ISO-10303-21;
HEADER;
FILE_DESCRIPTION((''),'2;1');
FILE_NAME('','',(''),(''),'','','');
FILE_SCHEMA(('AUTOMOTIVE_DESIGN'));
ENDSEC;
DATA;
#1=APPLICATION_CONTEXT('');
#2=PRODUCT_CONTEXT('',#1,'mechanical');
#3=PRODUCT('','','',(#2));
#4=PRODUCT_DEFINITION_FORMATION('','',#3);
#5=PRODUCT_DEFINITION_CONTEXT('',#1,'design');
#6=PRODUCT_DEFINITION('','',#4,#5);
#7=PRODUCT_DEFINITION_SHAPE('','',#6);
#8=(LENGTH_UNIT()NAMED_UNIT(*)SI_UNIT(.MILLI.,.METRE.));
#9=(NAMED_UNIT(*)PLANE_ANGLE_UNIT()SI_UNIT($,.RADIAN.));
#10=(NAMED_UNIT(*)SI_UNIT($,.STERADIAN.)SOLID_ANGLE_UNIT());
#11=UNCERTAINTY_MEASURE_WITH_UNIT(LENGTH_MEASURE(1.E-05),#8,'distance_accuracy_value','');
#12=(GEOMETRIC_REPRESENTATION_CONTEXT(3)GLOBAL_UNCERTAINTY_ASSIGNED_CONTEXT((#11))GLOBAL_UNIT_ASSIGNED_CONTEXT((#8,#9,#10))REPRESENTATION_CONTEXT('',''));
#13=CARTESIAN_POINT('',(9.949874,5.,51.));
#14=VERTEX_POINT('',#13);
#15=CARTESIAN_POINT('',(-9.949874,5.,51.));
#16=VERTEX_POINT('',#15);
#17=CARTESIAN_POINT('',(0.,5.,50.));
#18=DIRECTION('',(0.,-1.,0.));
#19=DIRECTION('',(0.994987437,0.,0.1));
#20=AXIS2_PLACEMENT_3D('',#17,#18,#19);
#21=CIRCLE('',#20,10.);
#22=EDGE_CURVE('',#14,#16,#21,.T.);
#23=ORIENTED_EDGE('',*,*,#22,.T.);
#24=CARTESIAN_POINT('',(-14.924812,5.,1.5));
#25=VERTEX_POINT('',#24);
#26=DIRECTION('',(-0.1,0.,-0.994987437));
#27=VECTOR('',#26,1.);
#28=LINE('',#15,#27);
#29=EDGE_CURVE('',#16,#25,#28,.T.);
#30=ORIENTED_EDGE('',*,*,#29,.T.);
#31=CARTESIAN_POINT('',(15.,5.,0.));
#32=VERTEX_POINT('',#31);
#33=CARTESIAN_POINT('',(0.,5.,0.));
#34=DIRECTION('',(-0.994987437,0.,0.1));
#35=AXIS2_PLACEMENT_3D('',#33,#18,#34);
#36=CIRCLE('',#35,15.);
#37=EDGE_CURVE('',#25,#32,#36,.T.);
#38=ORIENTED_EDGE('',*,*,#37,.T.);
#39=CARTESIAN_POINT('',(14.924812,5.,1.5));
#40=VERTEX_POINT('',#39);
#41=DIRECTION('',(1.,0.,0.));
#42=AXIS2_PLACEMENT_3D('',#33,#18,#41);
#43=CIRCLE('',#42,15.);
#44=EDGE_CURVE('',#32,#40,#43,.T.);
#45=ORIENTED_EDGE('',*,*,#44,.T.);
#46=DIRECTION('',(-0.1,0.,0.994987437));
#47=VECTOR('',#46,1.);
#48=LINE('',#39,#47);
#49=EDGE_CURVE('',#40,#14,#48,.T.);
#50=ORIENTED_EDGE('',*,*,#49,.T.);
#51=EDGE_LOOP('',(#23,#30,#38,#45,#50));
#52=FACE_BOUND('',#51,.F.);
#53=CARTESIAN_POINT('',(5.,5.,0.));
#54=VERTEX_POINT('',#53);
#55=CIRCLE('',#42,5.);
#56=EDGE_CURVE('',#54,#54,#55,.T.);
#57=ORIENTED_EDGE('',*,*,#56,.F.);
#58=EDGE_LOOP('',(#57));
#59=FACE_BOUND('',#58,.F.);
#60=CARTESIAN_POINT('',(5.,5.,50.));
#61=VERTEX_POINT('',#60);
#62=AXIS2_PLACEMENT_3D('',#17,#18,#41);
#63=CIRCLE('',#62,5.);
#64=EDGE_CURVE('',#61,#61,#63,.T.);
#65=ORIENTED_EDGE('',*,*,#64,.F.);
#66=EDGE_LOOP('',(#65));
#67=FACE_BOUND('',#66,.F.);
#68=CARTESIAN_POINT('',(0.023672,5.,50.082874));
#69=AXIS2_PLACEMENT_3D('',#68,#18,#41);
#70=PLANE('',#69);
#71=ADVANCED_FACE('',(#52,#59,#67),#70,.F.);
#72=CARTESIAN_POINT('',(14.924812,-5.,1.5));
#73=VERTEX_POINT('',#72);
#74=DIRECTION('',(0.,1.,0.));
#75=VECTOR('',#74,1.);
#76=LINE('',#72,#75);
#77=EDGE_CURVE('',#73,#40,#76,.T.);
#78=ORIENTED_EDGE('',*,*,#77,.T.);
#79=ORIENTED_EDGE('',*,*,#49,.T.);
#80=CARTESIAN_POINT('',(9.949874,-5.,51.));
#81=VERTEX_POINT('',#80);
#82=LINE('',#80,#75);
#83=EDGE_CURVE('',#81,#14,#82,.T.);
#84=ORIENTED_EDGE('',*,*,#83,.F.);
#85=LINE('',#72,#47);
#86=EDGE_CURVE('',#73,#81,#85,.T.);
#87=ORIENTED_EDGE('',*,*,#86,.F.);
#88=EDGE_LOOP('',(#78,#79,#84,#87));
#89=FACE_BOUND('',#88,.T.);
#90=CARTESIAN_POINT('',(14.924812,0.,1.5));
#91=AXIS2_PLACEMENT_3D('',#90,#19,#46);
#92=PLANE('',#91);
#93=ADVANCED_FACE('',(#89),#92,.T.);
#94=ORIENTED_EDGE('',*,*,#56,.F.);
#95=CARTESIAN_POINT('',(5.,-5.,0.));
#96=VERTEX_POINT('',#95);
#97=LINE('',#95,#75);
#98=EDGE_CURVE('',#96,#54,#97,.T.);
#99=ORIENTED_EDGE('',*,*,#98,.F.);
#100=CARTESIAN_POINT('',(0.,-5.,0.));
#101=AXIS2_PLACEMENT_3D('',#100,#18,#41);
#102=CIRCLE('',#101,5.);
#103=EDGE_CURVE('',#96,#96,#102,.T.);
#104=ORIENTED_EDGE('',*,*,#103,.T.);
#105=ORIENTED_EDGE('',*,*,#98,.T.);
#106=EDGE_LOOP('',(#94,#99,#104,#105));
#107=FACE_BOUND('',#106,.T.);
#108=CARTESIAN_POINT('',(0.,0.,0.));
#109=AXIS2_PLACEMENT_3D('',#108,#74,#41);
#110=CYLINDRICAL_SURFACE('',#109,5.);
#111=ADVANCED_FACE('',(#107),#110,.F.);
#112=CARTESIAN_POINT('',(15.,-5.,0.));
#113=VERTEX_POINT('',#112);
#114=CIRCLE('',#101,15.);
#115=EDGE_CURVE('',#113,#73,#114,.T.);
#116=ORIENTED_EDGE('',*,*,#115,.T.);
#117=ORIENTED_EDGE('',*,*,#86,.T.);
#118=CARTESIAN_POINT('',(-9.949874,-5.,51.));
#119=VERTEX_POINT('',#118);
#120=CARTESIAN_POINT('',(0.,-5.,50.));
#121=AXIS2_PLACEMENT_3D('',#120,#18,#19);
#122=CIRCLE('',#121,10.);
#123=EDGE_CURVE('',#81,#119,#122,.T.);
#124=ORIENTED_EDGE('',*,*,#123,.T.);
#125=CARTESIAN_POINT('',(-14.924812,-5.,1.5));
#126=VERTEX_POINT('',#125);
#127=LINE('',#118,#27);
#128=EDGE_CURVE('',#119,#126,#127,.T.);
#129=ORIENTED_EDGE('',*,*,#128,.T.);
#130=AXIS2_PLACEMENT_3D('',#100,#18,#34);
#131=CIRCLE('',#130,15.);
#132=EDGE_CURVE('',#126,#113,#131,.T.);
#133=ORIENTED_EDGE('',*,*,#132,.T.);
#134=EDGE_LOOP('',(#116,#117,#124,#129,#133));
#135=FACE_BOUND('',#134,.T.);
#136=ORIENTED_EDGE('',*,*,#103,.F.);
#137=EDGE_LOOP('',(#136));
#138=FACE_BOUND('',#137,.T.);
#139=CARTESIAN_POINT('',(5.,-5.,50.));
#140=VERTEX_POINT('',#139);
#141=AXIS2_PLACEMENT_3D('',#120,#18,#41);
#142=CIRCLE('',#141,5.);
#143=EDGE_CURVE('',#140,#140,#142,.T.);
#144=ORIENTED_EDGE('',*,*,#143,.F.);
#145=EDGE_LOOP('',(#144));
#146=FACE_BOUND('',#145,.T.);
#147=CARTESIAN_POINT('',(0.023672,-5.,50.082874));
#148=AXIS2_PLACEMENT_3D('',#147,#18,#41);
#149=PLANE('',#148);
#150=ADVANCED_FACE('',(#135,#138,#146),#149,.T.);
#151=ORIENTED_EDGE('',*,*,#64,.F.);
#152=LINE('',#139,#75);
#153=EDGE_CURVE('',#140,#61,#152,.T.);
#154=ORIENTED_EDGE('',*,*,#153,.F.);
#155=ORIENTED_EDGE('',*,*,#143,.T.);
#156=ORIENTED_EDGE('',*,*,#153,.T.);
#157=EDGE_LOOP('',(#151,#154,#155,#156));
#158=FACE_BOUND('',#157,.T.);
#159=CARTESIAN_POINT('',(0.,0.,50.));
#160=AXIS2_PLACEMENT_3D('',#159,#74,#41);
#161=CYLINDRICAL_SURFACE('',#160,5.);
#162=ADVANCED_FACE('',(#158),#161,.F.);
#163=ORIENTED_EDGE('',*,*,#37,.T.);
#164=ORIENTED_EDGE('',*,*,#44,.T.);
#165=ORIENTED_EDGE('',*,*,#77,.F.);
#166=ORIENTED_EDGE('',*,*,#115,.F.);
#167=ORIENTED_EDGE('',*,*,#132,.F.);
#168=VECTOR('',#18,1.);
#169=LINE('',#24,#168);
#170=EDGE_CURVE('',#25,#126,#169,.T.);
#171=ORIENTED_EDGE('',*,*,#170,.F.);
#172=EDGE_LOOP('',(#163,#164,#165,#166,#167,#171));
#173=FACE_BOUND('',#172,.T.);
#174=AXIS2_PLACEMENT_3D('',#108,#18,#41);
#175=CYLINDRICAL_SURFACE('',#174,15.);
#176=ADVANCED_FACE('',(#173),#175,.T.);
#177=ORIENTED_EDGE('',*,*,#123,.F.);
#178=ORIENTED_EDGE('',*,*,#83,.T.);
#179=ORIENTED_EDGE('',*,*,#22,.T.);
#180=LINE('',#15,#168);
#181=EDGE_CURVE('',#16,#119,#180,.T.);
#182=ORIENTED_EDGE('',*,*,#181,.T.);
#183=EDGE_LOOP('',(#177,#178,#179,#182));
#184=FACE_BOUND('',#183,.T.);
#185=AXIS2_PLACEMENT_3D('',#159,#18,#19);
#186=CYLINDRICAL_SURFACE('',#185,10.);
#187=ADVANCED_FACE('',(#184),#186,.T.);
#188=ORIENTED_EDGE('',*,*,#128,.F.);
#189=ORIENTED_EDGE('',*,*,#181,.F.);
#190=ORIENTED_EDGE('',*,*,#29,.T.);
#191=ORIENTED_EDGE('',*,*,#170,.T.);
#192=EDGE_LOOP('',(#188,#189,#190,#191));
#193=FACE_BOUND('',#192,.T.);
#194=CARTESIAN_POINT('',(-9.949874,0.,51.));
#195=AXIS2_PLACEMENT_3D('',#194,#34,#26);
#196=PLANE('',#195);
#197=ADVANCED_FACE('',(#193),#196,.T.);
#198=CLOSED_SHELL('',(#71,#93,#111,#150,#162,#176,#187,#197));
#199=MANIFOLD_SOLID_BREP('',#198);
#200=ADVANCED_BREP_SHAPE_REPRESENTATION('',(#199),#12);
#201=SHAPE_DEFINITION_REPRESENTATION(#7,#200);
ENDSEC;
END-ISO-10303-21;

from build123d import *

# Parameters (mm, degrees)
F0_R     = 5
F1_DEPTH = 5


with BuildPart() as f1:
    # F0 (on Front) → F1 (new body, symmetric)
    with BuildSketch(Plane.XZ):
        with BuildLine():
            ThreePointArc((10, 50), (9.9874607311, 50.5006277506), (9.9498743711, 51))
            ThreePointArc((9.9498743711, 51), (0, 60), (-9.9498743711, 51))
            ThreePointArc((-9.9498743711, 51), (-0.5006277506, 40.0125392689), (10, 50))
        make_face()
        with Locations((0, 50)):
            Circle(F0_R, mode=Mode.SUBTRACT)
        with BuildLine():
            ThreePointArc((-14.9248115566, 1.5), (0, 15), (14.9248115566, 1.5))
            Line((14.9248115566, 1.5), (9.9498743711, 51))
            ThreePointArc((9.9498743711, 51), (9.9874607311, 50.5006277506), (10, 50))
            ThreePointArc((10, 50), (-0.5006277506, 40.0125392689), (-9.9498743711, 51))
            Line((-9.9498743711, 51), (-14.9248115566, 1.5))
        make_face()
        with BuildLine():
            ThreePointArc((-14.9248115566, 1.5), (-0.7509416259, -14.9811910967), (15, 0))
            ThreePointArc((15, 0), (14.9811910967, 0.7509416259), (14.9248115566, 1.5))
            ThreePointArc((14.9248115566, 1.5), (0, 15), (-14.9248115566, 1.5))
        make_face()
        Circle(F0_R, mode=Mode.SUBTRACT)
    extrude(amount=F1_DEPTH, both=True)


solid = f1.part
